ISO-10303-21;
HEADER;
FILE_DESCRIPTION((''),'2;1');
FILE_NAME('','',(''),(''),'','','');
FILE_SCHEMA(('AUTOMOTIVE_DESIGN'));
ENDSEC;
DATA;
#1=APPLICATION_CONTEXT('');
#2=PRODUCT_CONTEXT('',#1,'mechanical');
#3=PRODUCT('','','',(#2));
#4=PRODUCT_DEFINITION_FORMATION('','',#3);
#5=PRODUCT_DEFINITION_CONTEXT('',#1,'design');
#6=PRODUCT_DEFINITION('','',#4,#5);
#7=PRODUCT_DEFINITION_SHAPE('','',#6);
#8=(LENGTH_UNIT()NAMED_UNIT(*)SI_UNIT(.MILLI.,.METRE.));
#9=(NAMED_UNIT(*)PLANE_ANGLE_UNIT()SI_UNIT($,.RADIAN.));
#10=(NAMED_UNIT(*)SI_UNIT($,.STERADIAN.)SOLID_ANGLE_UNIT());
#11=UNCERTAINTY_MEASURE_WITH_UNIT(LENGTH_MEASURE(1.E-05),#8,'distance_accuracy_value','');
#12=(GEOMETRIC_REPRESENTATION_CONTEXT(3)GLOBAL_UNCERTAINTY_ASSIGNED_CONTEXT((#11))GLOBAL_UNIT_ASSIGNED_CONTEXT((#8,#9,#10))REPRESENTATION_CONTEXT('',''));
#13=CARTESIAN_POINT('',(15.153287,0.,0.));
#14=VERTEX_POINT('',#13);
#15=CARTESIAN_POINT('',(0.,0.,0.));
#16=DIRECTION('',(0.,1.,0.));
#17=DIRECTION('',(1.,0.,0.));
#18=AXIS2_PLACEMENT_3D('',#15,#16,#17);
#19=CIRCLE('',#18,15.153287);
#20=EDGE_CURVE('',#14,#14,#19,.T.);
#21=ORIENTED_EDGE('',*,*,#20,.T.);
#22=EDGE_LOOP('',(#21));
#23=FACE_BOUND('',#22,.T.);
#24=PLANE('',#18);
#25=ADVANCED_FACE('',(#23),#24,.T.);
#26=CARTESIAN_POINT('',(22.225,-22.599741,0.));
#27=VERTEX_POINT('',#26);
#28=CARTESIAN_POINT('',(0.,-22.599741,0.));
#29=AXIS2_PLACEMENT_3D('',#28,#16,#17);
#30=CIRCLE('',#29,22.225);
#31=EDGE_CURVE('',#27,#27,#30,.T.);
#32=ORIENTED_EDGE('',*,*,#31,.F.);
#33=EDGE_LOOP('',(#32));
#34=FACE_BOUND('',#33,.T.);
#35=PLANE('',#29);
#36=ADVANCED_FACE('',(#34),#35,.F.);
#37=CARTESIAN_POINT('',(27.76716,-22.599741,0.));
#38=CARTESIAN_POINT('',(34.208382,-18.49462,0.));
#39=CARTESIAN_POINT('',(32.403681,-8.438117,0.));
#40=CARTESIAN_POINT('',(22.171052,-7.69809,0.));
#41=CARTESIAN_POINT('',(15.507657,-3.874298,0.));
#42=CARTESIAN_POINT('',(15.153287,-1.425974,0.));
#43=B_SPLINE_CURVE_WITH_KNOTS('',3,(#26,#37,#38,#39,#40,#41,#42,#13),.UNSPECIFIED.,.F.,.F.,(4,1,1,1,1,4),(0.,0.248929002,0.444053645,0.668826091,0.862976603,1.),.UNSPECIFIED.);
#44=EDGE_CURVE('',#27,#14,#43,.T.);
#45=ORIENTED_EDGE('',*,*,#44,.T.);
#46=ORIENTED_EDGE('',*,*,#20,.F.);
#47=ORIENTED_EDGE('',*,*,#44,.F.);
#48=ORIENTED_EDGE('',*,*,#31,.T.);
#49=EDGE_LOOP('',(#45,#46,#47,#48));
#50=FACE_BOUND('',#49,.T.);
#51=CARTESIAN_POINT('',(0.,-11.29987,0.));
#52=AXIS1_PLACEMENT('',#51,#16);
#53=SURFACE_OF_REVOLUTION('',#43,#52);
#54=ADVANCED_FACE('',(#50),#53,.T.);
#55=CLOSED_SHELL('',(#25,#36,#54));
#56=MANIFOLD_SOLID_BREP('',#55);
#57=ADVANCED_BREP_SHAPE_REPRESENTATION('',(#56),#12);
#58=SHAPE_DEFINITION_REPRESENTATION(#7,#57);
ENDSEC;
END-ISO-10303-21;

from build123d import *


with BuildPart() as f1:
    # F0 (on Top) → F1 (revolve)
    with BuildSketch(Plane.XY):
        with BuildLine():
            Line((0, 0), (0, -22.5997406512))
            Line((0, -22.5997406512), (22.225, -22.5997406512))
            add(Edge.make_bspline(
                [(22.225, -22.5997406512), (27.7671602704, -22.5997406512), (34.2083821429, -18.4946195538), (32.4036809965, -8.4381165368), (22.1710518676, -7.698090091), (15.5076571484, -3.8742979706), (15.1532867586, -1.4259742337), (15.1532867586, 0)],
                knots=[0, 0, 0, 0, 0.2489290017, 0.4440536452, 0.6688260914, 0.862976603, 1, 1, 1, 1], degree=3))
            Line((15.1532867586, 0), (0, 0))
        make_face()
    revolve(axis=Axis((0, -11.2998703256, 0), (0, 1, 0)))


solid = f1.part
